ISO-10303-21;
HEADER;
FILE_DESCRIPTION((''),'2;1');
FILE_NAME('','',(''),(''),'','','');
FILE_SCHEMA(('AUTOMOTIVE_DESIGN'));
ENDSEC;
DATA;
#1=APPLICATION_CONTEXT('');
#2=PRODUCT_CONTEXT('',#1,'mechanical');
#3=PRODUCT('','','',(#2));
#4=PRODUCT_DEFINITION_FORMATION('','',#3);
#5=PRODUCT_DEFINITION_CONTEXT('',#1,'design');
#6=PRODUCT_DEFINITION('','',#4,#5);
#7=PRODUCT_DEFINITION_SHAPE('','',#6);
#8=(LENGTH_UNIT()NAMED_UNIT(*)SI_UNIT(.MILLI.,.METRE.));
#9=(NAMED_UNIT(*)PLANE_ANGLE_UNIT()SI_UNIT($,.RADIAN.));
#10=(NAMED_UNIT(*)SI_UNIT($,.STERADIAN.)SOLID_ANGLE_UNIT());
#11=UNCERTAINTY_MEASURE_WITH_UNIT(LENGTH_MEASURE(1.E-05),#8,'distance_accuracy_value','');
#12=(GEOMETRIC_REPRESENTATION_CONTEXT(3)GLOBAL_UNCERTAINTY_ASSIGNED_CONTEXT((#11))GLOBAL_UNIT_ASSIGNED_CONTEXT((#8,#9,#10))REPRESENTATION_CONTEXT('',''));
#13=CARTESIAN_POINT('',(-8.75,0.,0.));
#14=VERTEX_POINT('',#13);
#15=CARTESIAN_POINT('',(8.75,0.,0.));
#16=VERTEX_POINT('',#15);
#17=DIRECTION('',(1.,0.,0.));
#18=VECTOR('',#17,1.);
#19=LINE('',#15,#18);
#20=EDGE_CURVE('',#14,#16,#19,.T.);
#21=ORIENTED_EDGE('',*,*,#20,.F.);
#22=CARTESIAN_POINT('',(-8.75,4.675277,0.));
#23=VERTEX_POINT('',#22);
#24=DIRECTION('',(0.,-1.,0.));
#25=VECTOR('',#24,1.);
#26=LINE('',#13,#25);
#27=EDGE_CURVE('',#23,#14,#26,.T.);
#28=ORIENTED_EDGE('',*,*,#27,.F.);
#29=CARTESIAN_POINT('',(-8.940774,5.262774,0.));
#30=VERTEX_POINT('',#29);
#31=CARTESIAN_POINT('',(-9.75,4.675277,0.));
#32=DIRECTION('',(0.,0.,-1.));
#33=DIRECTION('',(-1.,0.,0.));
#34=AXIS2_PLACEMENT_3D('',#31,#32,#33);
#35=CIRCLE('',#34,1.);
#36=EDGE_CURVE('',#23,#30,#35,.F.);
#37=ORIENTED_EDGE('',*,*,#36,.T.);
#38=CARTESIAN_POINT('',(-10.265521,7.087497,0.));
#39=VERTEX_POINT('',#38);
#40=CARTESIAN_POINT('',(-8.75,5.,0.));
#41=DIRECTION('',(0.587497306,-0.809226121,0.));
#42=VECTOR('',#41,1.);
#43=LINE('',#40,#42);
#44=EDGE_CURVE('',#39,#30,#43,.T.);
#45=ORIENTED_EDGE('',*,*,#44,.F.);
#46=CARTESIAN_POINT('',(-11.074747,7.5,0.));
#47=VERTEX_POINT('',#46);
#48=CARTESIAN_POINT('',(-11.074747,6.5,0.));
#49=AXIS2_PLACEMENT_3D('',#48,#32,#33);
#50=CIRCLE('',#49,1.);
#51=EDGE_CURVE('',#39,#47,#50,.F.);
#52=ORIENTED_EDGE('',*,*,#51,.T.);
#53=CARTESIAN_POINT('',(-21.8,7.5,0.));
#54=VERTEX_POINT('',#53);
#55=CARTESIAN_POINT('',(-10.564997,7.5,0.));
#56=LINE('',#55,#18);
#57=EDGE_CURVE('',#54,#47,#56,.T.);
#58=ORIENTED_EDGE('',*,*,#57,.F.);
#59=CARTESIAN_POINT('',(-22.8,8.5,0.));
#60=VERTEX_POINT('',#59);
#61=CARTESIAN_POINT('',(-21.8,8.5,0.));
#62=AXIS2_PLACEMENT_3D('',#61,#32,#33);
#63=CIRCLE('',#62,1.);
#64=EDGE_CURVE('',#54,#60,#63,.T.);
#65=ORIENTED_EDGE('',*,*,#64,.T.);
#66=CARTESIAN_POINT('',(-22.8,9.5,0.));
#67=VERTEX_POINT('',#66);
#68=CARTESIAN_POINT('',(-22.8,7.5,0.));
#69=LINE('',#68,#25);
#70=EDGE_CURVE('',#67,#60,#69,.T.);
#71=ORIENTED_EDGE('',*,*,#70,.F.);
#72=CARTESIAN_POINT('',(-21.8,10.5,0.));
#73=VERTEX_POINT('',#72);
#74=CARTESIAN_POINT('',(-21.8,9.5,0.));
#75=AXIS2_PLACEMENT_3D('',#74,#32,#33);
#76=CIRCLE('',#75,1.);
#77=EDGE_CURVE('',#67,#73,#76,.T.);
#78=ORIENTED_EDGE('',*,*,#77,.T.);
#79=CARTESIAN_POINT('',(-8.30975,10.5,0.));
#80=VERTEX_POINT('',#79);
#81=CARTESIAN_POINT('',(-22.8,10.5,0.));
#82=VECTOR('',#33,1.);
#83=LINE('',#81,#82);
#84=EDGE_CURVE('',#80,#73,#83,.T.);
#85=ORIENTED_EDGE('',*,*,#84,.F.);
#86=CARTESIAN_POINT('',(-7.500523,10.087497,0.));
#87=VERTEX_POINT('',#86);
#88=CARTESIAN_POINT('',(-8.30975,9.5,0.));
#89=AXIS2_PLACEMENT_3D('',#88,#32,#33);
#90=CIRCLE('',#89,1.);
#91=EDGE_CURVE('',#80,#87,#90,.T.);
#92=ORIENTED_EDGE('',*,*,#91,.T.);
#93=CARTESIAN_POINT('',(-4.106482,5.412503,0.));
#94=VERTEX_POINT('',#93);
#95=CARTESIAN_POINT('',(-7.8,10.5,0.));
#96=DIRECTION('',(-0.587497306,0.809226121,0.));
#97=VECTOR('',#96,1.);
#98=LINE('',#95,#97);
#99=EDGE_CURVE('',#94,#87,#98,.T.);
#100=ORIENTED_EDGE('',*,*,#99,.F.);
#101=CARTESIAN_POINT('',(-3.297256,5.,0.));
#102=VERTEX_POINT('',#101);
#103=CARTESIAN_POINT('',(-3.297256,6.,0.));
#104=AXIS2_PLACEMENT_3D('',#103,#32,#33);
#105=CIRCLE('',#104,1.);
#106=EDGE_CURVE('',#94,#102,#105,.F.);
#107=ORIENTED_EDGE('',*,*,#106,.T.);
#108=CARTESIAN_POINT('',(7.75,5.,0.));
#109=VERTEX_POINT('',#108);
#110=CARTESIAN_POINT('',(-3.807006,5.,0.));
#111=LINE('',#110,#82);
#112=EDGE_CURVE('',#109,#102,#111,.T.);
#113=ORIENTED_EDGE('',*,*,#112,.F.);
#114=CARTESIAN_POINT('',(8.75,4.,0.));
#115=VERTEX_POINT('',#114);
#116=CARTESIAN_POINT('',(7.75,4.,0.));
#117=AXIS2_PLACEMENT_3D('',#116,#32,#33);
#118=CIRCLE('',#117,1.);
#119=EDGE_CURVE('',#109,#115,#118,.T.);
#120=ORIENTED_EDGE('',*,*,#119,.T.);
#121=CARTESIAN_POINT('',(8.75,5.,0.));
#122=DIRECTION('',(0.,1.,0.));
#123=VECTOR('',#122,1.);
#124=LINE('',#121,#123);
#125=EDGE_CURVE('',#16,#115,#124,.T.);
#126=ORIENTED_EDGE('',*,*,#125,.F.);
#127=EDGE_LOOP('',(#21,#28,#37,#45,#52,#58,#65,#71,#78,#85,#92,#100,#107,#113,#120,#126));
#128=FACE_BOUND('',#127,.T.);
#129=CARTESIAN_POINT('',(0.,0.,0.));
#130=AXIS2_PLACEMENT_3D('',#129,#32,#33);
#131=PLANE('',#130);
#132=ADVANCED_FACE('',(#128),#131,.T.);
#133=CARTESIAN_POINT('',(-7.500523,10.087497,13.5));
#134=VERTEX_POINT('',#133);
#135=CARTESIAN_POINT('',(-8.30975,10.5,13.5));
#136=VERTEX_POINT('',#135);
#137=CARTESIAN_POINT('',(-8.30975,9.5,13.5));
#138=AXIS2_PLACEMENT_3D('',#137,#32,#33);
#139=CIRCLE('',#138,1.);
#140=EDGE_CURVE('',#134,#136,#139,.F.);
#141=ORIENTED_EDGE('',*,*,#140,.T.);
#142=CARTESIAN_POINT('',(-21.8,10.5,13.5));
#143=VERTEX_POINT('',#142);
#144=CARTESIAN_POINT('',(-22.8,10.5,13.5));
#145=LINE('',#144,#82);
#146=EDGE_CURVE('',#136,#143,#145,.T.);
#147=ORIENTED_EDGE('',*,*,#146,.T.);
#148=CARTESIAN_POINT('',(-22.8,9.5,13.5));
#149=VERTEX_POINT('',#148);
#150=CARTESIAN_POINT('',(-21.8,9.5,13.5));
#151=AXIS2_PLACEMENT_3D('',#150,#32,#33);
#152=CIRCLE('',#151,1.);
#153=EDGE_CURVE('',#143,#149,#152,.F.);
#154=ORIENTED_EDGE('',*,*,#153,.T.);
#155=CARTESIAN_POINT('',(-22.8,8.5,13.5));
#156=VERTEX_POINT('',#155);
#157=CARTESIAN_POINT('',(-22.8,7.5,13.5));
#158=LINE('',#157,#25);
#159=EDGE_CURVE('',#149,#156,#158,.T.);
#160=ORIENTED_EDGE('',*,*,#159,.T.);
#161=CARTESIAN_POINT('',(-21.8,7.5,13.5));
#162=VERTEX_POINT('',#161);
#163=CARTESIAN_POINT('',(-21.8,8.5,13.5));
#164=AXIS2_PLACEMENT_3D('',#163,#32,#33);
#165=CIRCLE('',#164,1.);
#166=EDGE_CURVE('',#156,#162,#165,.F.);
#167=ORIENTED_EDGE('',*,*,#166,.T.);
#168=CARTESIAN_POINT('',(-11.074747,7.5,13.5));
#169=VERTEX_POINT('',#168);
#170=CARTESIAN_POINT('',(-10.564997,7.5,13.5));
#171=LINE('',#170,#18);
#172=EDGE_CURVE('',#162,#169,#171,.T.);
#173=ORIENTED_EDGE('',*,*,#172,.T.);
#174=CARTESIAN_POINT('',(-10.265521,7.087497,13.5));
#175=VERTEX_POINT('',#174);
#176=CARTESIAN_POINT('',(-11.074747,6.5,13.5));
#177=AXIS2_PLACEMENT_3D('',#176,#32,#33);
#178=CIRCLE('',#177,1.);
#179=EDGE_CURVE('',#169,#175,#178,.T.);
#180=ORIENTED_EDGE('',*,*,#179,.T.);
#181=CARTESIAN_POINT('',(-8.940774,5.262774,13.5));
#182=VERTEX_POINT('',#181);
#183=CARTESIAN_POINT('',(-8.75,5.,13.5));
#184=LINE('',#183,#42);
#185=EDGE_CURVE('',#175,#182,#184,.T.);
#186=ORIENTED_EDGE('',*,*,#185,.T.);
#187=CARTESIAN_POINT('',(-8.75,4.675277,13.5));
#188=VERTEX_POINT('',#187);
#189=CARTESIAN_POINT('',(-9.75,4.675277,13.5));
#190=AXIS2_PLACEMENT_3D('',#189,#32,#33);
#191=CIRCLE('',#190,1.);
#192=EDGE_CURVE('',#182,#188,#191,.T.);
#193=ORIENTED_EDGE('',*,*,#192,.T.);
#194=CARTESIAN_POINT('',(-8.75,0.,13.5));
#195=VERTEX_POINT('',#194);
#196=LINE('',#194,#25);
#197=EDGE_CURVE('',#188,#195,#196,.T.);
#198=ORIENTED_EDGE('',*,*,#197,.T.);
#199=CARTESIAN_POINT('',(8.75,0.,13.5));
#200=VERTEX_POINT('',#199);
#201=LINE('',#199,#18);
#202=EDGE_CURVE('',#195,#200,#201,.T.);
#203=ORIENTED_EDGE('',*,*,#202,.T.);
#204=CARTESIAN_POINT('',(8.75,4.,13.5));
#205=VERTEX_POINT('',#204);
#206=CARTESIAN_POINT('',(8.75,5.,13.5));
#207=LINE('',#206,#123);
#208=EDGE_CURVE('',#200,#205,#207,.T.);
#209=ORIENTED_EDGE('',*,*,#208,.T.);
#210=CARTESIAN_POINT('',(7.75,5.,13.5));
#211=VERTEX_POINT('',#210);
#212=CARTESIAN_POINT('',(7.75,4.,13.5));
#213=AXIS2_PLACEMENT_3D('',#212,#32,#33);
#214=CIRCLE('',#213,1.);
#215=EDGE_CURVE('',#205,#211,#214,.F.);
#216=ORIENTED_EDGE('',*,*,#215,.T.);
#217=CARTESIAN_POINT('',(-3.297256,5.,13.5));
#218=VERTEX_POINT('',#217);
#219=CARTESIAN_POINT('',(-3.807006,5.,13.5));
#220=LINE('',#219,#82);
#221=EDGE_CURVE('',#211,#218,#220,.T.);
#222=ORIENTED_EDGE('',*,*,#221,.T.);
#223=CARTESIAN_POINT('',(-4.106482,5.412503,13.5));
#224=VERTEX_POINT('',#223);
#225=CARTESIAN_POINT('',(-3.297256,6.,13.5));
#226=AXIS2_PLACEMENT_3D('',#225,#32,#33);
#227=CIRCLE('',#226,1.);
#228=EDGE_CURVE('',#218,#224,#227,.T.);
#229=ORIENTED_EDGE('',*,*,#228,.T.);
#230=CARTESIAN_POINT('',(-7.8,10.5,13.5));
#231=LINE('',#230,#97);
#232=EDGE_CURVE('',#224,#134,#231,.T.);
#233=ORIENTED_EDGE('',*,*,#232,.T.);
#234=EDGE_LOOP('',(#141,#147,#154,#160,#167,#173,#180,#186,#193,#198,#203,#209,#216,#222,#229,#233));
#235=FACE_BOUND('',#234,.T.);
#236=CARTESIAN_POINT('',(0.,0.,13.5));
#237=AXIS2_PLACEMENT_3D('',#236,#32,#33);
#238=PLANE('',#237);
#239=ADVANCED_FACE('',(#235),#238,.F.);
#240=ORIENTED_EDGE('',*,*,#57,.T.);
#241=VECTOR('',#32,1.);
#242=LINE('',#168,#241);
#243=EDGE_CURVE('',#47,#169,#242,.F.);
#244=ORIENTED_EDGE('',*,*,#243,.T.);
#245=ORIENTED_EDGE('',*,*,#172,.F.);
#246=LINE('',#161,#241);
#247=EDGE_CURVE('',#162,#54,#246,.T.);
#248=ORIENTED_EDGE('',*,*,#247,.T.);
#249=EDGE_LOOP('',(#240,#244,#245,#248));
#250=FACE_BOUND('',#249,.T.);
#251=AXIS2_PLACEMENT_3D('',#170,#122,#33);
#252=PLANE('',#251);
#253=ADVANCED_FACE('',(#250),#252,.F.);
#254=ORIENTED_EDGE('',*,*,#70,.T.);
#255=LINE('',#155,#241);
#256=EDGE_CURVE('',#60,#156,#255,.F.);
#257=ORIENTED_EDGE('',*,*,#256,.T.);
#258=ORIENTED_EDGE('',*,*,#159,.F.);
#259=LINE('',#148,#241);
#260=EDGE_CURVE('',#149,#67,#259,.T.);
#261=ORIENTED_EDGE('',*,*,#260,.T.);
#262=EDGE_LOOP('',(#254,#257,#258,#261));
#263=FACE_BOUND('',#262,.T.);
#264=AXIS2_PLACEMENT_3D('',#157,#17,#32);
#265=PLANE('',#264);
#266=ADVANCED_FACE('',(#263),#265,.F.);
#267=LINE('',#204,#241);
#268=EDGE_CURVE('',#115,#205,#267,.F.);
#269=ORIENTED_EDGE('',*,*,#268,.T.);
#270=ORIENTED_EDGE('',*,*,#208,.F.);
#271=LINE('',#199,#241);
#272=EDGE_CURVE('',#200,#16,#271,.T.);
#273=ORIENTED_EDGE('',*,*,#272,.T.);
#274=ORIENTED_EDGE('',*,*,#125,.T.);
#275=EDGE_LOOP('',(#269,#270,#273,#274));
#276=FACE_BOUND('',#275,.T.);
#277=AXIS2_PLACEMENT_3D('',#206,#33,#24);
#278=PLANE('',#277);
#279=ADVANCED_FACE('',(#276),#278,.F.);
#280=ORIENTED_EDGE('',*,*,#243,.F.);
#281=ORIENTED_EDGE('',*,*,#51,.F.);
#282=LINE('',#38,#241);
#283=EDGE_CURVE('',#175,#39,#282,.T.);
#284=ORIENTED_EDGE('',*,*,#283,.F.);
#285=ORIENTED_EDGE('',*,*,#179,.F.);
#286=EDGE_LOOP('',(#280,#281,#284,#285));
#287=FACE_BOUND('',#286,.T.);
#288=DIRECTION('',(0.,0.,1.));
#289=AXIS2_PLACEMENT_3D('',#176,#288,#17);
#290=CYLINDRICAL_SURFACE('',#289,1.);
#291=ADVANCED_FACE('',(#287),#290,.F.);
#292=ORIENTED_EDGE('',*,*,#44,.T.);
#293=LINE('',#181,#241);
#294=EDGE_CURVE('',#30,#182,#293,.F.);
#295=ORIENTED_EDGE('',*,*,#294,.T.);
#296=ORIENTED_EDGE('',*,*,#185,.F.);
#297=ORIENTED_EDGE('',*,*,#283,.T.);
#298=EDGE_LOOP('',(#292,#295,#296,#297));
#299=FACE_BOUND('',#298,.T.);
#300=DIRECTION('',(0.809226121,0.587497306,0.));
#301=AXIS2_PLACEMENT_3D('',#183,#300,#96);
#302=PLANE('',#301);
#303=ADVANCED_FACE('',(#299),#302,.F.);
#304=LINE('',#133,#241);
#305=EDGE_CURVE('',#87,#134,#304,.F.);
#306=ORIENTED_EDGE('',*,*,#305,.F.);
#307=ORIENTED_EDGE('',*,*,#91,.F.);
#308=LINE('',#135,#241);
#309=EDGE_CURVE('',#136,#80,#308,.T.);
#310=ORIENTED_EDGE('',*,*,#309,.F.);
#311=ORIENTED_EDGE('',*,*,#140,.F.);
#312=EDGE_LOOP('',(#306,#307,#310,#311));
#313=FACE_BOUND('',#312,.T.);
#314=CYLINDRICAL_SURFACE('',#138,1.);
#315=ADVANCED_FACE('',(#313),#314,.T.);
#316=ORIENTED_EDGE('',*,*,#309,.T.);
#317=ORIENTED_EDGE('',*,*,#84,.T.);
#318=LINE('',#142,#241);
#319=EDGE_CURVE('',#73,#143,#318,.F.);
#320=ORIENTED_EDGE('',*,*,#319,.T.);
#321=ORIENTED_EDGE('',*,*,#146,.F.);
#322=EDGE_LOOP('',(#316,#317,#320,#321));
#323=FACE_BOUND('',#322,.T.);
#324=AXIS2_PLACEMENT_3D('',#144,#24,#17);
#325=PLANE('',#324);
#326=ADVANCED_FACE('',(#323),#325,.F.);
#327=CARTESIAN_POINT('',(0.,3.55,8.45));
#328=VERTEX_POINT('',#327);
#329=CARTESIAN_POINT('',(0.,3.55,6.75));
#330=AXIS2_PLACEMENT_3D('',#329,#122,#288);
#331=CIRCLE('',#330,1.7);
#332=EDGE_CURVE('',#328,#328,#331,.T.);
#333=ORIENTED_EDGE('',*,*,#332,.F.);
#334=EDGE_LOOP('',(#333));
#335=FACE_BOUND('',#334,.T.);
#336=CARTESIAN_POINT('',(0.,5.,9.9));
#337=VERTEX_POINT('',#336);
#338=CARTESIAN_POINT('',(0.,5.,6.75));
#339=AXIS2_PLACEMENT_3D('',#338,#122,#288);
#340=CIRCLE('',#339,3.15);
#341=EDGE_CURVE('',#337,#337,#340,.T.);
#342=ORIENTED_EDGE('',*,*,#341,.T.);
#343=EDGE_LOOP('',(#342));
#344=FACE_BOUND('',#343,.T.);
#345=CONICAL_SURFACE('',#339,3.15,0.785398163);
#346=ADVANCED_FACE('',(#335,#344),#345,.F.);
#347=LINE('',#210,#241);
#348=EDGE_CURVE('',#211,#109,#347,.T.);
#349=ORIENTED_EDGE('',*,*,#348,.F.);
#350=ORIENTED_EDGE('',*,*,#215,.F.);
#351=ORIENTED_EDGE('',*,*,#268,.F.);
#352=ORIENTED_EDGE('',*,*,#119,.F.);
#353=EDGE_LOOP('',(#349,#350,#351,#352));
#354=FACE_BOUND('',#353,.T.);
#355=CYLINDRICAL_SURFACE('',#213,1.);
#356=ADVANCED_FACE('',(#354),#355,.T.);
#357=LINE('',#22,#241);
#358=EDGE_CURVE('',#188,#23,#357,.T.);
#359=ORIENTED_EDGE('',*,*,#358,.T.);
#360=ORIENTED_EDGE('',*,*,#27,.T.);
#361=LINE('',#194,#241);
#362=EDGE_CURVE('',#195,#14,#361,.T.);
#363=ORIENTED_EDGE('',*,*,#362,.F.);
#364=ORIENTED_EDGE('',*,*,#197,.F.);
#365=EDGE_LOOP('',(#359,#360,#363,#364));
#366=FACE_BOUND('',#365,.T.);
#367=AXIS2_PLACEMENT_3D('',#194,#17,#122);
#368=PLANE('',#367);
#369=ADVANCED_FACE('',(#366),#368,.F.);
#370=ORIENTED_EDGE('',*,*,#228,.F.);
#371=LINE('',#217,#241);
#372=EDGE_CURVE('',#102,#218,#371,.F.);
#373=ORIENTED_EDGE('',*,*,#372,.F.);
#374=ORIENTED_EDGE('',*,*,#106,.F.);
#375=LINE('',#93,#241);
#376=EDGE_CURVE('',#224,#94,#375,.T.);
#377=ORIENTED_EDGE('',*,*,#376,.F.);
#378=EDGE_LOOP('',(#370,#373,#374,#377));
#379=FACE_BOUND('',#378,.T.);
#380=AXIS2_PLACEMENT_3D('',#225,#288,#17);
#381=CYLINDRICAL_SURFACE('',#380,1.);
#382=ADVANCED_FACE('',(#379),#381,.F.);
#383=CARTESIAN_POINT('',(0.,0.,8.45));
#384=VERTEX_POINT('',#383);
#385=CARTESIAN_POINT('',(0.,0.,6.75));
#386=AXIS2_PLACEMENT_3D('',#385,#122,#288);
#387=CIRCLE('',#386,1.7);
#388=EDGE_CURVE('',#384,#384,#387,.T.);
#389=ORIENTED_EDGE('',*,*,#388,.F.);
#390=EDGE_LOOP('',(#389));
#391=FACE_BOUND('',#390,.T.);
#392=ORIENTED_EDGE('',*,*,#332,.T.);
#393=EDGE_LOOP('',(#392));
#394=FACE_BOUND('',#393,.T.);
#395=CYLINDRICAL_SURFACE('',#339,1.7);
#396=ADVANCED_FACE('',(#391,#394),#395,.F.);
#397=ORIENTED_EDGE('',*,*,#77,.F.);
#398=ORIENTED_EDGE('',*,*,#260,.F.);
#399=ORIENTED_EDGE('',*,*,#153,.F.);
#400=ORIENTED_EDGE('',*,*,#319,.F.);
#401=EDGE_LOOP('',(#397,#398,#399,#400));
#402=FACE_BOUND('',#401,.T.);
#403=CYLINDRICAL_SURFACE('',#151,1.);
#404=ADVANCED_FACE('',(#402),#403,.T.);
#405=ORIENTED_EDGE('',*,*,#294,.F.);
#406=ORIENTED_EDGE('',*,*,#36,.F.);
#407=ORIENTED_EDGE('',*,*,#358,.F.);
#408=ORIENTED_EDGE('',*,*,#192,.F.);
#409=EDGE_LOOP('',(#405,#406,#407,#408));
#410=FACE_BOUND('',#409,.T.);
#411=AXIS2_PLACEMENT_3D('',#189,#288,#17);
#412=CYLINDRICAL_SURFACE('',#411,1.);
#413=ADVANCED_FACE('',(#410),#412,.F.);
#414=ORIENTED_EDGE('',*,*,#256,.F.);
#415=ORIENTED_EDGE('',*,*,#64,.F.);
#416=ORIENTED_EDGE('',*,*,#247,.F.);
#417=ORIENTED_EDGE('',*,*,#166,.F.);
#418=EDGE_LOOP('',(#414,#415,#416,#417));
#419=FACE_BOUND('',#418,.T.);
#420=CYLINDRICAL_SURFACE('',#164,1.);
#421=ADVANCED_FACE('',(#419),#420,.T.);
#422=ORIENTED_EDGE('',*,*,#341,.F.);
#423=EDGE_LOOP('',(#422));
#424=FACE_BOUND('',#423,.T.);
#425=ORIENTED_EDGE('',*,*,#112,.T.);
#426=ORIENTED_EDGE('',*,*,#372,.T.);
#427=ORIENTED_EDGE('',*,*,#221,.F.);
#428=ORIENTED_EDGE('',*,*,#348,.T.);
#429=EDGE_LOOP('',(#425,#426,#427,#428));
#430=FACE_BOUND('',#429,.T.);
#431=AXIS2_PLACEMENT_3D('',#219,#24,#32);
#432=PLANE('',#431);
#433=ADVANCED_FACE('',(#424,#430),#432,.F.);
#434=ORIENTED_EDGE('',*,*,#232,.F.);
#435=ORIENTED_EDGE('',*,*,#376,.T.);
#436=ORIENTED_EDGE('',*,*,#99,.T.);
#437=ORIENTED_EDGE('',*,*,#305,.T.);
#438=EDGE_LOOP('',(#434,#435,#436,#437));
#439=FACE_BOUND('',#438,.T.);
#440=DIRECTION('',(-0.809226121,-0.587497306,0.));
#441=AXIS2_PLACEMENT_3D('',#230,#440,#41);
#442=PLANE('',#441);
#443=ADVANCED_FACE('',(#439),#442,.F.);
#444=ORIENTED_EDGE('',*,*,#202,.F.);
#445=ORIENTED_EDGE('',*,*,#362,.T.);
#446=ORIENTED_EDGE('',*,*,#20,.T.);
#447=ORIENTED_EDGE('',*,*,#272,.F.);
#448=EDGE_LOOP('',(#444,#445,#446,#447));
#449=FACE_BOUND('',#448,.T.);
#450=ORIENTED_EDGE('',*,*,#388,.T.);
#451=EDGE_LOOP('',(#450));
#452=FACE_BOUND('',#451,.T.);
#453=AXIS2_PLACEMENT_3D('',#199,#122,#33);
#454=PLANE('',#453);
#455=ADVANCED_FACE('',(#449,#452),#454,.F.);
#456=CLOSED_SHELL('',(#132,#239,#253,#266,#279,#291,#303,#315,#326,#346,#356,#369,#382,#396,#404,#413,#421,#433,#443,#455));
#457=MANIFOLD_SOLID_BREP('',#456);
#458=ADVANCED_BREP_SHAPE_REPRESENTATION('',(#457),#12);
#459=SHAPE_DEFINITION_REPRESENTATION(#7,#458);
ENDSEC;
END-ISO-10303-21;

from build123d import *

# Parameters (mm, degrees)
EXTRUDE_442_DEPTH          = 13.5
FILLET_1_R                 = 1
HOLE_WIZARD_M3_D           = 3.4
HOLE_WIZARD_M3_CSINK_D     = 6.3
HOLE_WIZARD_M3_CSINK_ANGLE = 90


with BuildPart() as part:
    # Эскиз1 → Extrude 442 (new body)
    with BuildSketch(Plane.XY):
        Polygon((8.75, 0), (-8.75, 0), (-8.75, 5), (-10.564997351, 7.5), (-22.8, 7.5), (-22.8, 10.5), (-7.8, 10.5), (-3.807005828, 5), (8.75, 5), align=None)
    extrude(amount=EXTRUDE_442_DEPTH)

    # Скругление1
    fillet_1_edges = [part.edges().sort_by_distance(p)[0] for p in [
        (-8.75, 5, 6.75),
        (-10.564997351, 7.5, 6.75),
        (-22.8, 7.5, 6.75),
        (-22.8, 10.5, 6.75),
        (-7.8, 10.5, 6.75),
        (-3.807005828, 5, 6.75),
        (8.75, 5, 6.75),
    ]]
    fillet(fillet_1_edges, radius=FILLET_1_R)

    # Крепление-M3 (through all)
    with Locations(Plane(origin=(0, 5, 0), x_dir=(1, 0, 0), z_dir=(0, 1, 0))):
        with Locations((0, -6.75)):
            CounterSinkHole(HOLE_WIZARD_M3_D / 2, HOLE_WIZARD_M3_CSINK_D / 2, counter_sink_angle=HOLE_WIZARD_M3_CSINK_ANGLE)


solid = part.part
